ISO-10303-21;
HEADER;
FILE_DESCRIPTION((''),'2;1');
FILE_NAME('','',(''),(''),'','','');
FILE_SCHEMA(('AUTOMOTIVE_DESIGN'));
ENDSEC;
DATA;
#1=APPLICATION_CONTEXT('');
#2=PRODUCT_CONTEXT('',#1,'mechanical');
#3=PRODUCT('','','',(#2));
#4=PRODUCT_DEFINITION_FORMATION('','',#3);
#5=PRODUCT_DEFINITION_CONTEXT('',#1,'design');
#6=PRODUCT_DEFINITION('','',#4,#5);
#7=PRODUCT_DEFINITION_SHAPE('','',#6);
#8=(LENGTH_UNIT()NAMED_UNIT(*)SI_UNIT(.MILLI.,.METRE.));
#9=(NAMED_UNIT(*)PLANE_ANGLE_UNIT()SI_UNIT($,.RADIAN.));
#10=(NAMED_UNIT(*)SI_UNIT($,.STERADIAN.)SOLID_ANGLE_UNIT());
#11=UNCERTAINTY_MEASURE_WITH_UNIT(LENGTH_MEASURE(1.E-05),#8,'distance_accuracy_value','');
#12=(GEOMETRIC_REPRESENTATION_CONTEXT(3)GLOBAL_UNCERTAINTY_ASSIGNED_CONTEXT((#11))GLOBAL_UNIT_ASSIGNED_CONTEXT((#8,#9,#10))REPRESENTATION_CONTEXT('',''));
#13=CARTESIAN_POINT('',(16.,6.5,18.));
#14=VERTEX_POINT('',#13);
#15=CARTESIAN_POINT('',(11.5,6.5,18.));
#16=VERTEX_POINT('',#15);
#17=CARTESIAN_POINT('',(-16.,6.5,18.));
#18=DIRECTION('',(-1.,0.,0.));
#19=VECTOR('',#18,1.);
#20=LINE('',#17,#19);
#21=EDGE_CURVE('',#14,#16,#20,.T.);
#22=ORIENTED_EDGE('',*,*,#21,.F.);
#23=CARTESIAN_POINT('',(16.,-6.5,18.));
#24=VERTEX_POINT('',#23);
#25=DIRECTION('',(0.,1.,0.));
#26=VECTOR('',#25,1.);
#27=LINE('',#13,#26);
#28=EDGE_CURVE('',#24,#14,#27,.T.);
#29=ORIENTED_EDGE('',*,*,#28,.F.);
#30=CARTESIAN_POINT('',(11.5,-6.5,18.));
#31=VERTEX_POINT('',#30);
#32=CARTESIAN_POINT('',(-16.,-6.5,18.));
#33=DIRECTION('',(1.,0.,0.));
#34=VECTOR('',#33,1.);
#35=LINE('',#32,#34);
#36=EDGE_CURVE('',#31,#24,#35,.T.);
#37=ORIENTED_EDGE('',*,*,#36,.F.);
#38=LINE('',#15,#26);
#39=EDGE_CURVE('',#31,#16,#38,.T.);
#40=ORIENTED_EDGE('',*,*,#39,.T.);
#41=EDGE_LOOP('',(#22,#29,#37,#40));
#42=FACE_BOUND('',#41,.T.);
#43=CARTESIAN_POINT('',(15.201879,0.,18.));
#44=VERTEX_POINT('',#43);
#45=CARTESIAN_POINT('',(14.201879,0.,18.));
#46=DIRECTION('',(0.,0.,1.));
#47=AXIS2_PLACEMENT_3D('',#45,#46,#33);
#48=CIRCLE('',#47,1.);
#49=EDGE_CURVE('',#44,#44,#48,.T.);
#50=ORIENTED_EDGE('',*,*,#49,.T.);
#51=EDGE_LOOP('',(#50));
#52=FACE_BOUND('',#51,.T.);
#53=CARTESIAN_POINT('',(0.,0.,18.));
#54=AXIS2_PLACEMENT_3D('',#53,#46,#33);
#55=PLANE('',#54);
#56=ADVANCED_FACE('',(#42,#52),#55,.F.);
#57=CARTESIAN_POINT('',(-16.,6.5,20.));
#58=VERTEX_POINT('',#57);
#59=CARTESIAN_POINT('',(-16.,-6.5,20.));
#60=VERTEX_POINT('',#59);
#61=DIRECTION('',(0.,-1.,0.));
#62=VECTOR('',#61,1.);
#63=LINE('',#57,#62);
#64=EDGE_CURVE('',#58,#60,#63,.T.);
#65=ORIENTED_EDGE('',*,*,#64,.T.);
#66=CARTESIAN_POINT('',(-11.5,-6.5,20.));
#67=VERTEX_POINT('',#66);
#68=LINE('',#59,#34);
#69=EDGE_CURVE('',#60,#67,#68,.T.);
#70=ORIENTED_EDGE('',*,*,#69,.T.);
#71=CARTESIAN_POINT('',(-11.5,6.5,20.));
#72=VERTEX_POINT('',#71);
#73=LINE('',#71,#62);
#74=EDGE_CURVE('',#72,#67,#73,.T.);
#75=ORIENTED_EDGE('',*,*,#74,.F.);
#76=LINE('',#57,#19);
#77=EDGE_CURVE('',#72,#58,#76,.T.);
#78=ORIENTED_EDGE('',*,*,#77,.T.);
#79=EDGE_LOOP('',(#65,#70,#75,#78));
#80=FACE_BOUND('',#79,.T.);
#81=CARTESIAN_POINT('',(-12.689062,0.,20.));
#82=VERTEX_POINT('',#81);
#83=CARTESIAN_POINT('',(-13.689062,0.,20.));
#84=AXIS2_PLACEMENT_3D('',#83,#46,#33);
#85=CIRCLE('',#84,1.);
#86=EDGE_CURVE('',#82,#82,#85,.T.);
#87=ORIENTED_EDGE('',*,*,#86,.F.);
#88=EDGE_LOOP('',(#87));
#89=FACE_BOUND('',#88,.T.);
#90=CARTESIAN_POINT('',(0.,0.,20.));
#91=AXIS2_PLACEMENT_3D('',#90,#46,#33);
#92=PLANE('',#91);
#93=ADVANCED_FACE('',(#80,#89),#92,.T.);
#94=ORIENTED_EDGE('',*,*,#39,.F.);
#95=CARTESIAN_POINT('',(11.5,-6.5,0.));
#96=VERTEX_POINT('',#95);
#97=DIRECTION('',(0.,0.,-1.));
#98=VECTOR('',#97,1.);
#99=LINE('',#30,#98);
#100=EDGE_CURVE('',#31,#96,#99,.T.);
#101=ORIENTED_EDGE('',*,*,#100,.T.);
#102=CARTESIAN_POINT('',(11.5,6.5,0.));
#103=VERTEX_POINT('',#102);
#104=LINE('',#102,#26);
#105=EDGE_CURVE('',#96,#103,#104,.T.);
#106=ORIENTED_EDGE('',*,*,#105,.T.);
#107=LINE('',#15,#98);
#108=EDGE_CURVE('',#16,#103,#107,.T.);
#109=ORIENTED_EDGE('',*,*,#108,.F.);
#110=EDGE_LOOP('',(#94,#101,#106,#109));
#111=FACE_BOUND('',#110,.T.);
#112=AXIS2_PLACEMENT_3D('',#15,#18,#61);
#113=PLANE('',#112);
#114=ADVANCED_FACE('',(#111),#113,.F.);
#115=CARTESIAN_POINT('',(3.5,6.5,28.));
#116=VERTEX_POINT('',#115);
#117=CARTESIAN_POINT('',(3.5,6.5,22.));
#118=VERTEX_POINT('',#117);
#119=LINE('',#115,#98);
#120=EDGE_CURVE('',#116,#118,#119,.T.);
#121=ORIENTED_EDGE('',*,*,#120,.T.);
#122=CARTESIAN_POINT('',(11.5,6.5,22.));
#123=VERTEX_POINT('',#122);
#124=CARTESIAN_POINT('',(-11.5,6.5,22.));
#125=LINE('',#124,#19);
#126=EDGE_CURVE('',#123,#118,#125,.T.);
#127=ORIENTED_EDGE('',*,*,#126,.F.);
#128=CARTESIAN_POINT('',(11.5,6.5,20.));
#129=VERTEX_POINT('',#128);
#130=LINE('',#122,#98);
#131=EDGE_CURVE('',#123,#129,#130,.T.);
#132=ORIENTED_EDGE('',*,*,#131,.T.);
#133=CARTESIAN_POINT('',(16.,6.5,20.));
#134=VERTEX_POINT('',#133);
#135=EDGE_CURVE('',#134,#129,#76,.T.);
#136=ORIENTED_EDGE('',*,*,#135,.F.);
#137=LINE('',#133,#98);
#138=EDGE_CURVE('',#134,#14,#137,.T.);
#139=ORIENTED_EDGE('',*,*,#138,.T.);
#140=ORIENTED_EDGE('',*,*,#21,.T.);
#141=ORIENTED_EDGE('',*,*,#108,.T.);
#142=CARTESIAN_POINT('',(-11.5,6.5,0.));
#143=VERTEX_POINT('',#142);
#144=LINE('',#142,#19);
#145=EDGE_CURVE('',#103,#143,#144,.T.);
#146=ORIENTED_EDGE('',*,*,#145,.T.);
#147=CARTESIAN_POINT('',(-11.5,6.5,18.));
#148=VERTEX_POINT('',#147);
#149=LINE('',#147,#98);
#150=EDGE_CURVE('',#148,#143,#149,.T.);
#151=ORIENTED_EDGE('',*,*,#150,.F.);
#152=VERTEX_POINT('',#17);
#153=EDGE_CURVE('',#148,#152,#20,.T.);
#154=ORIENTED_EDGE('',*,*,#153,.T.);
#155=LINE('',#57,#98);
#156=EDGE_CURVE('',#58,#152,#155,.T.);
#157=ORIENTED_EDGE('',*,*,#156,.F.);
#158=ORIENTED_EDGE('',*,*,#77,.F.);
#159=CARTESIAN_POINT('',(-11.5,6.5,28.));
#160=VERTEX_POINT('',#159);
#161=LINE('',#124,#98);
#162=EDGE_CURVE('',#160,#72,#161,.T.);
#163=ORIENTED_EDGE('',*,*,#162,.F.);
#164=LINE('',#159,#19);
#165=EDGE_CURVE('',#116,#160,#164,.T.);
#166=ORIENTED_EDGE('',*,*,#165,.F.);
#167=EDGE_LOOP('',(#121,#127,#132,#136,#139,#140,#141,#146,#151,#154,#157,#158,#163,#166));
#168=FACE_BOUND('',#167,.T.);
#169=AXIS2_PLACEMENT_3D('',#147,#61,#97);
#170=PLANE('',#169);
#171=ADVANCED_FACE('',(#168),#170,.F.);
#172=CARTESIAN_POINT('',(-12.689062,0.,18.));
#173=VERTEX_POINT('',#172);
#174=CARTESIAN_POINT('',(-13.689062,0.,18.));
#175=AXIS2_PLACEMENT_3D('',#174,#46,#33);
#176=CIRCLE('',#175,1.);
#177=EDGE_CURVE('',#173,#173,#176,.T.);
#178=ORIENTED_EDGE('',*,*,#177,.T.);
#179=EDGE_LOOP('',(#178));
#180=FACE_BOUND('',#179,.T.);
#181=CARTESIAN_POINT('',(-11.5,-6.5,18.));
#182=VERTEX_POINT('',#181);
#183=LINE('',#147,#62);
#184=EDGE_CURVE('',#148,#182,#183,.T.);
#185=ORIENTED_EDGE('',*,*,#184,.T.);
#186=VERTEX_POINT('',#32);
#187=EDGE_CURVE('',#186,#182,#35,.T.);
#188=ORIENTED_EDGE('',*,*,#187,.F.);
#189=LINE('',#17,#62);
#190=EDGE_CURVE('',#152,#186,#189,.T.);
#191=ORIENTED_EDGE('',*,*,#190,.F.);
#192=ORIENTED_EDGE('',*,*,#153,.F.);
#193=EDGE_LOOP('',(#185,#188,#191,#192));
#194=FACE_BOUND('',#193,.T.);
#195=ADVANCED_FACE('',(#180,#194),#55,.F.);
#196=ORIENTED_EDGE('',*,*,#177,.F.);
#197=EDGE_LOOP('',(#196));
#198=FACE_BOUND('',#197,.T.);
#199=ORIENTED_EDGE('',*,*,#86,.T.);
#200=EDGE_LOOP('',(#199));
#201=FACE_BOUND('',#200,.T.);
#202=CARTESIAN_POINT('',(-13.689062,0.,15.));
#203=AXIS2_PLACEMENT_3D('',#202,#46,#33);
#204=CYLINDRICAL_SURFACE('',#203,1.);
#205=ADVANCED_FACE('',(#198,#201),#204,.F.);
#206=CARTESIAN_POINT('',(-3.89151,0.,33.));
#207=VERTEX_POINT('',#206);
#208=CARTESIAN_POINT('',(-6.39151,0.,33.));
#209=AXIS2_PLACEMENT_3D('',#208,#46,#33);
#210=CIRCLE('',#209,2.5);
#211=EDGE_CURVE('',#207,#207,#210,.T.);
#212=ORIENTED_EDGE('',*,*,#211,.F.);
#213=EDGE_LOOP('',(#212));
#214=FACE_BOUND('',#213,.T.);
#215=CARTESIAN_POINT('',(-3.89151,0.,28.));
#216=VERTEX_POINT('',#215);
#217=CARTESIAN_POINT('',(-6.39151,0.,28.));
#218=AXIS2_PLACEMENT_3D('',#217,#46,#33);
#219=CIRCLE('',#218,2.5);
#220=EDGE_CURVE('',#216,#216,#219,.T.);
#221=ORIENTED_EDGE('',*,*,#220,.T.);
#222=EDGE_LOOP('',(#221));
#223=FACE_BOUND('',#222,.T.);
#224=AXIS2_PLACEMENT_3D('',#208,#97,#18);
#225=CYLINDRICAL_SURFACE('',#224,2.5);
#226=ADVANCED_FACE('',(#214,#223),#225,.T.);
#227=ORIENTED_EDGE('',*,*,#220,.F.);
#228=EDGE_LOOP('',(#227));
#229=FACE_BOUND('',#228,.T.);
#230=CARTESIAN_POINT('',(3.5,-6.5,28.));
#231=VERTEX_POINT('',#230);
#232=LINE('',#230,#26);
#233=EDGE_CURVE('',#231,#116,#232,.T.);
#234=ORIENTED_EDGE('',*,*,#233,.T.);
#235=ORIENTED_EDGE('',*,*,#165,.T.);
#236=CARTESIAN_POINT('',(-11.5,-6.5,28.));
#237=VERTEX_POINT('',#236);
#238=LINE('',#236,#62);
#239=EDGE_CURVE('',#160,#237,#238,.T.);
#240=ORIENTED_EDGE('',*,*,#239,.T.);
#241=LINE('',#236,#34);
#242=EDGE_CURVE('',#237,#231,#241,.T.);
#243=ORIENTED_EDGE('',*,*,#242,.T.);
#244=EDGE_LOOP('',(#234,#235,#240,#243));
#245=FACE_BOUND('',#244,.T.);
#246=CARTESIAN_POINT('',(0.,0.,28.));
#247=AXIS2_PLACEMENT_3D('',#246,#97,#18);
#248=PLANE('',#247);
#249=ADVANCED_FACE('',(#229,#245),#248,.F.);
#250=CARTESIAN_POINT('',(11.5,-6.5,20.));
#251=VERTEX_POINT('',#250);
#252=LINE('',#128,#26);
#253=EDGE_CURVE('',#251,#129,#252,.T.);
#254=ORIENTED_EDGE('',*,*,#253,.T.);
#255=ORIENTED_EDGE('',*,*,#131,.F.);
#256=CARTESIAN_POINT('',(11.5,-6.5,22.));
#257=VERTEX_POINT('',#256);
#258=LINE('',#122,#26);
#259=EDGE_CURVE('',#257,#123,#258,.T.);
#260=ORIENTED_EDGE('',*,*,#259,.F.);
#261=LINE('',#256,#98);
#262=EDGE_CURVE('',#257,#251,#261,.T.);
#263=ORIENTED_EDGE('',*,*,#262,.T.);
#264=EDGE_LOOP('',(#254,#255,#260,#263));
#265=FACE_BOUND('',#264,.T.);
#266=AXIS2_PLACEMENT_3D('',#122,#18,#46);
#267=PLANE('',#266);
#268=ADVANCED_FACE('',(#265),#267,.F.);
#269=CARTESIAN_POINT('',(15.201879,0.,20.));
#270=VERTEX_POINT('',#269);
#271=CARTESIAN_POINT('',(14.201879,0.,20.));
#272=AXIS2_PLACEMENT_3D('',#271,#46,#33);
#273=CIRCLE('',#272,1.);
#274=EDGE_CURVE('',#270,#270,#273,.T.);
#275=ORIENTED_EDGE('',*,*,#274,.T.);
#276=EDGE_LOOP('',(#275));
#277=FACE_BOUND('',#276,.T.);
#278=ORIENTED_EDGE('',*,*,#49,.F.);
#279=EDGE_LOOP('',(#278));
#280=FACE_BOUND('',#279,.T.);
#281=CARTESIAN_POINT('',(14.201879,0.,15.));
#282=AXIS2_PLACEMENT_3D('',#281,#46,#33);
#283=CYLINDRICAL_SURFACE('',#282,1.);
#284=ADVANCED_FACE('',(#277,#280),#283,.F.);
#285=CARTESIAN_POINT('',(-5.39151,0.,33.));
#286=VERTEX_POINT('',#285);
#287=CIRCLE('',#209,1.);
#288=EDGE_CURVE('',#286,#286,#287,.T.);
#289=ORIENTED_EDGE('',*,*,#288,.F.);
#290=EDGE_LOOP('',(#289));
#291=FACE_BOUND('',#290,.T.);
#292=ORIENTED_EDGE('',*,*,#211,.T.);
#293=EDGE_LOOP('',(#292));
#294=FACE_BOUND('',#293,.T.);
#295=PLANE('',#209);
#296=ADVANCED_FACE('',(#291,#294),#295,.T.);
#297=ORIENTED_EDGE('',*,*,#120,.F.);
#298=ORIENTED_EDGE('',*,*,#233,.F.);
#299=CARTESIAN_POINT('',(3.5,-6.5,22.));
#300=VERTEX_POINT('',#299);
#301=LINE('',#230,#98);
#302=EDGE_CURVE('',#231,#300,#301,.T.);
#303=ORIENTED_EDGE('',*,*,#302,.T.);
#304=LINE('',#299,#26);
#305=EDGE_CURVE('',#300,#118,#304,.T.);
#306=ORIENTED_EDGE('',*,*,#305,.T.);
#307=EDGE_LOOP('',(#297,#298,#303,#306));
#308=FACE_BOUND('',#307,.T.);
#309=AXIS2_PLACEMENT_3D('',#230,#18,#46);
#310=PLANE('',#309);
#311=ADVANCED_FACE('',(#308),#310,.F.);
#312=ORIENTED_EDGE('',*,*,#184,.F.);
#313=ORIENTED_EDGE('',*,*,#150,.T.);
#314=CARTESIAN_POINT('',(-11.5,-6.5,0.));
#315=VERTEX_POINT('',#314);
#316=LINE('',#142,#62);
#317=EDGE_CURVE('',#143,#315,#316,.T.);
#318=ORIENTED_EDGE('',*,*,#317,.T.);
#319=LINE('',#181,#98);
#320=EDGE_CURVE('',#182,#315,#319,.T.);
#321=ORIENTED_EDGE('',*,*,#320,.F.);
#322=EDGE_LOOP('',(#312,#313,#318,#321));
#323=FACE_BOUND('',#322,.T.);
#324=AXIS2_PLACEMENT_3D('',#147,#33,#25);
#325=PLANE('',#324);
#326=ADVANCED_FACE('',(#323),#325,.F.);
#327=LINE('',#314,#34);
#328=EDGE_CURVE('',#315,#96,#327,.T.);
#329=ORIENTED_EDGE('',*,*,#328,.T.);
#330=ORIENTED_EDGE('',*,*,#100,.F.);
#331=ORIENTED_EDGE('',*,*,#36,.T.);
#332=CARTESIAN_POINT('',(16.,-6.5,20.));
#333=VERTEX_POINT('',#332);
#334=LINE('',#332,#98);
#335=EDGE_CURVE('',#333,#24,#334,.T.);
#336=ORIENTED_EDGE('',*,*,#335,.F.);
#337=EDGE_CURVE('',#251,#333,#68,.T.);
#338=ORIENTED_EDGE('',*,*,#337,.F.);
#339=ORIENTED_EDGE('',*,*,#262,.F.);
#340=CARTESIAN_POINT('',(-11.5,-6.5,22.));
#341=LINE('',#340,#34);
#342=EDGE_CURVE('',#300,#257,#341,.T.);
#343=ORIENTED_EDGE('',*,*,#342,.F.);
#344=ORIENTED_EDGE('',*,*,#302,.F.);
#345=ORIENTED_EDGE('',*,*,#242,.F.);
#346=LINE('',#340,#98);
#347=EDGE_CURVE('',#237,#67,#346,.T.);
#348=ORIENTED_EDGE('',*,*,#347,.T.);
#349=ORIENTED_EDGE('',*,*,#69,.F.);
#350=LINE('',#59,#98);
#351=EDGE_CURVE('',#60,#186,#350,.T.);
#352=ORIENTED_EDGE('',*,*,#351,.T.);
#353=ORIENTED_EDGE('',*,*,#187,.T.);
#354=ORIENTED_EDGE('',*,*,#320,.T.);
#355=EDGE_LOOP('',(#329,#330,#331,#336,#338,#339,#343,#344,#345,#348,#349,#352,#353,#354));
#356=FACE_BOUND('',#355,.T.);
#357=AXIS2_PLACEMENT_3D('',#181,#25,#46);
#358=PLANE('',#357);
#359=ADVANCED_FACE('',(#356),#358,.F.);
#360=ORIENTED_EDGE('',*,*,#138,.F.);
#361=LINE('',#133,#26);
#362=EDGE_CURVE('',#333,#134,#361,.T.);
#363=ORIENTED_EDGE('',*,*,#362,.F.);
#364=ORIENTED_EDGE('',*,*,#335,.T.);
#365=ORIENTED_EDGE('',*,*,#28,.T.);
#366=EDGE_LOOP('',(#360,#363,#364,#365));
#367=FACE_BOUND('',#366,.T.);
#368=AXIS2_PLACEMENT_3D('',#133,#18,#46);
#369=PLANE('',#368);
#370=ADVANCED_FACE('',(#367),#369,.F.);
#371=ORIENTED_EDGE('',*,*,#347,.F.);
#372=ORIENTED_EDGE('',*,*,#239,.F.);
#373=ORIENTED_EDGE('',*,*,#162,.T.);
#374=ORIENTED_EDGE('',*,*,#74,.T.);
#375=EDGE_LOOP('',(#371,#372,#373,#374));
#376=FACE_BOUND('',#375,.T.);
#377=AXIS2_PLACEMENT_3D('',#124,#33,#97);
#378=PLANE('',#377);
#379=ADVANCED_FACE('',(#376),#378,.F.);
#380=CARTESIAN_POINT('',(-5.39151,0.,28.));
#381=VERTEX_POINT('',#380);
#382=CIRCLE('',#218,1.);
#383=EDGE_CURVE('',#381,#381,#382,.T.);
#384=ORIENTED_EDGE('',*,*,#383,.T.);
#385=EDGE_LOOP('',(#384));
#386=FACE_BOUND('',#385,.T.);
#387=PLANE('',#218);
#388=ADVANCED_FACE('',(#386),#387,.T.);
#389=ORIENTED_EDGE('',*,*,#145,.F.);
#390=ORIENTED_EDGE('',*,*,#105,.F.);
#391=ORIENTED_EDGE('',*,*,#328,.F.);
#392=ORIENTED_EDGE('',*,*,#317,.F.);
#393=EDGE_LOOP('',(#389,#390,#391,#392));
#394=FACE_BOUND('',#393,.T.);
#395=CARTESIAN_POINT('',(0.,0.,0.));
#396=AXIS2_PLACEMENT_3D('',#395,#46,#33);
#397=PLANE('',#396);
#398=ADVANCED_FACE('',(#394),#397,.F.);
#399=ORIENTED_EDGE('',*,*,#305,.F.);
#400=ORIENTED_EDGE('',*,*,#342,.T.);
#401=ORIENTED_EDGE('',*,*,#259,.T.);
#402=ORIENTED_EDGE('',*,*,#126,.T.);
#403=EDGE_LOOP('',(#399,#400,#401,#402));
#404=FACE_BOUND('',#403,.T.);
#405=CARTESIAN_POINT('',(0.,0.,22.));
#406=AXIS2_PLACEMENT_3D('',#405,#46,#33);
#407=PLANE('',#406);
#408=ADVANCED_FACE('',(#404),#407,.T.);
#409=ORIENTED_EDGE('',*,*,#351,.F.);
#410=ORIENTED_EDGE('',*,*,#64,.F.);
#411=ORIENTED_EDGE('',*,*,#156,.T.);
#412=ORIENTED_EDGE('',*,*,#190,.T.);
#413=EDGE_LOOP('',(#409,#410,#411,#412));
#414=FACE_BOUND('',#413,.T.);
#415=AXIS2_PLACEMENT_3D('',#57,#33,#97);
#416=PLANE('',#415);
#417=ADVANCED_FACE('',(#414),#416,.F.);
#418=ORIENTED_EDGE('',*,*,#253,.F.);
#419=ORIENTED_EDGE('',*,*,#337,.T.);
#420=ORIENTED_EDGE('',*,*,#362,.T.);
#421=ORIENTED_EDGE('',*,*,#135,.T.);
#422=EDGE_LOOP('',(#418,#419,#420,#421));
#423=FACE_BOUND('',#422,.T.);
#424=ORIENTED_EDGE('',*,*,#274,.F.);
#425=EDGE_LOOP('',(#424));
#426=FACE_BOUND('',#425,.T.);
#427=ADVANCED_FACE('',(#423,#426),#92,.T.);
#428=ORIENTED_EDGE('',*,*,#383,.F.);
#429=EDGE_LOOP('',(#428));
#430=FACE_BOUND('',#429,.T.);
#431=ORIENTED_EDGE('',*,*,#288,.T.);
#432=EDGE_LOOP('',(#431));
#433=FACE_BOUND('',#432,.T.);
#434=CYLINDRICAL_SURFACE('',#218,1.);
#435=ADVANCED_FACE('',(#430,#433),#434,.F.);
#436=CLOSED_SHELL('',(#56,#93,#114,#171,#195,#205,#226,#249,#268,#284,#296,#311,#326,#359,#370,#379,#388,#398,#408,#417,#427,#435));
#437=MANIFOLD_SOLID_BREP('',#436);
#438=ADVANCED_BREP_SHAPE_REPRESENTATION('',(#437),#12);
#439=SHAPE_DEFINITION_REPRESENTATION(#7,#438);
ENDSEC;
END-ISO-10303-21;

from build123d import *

# Parameters (mm, degrees)
SKETCH1_W           = 23
SKETCH1_H           = 13
BOSS_EXTRUDE1_DEPTH = 18
SKETCH2_W           = 32
SKETCH2_H           = 13
BOSS_EXTRUDE2_DEPTH = 2
SKETCH3_W           = 23
SKETCH3_H           = 13
BOSS_EXTRUDE3_DEPTH = 2
SKETCH4_W           = 15
SKETCH4_H           = 13
BOSS_EXTRUDE4_DEPTH = 6
SKETCH5_R           = 2.5
BOSS_EXTRUDE5_DEPTH = 5
SKETCH6_R           = 1
CUT_EXTRUDE1_DEPTH  = 5
SKETCH7_R           = 1
CUT_EXTRUDE2_DEPTH  = 5


with BuildPart() as part:
    # Sketch1 → Boss-Extrude1 (new body)
    with BuildSketch(Plane.XY):
        Rectangle(SKETCH1_W, SKETCH1_H)
    extrude(amount=BOSS_EXTRUDE1_DEPTH)

    # Sketch2 → Boss-Extrude2 (add)
    with BuildSketch(Plane.XY.offset(18)):
        Rectangle(SKETCH2_W, SKETCH2_H)
    extrude(amount=BOSS_EXTRUDE2_DEPTH)

    # Sketch3 → Boss-Extrude3 (add)
    with BuildSketch(Plane.XY.offset(20)):
        Rectangle(SKETCH3_W, SKETCH3_H)
    extrude(amount=BOSS_EXTRUDE3_DEPTH)

    # Sketch4 → Boss-Extrude4 (add)
    with BuildSketch(Plane.XY.offset(22)):
        with Locations((-4, 0)):
            Rectangle(SKETCH4_W, SKETCH4_H)
    extrude(amount=BOSS_EXTRUDE4_DEPTH)

    # Sketch5 → Boss-Extrude5 (add)
    with BuildSketch(Plane.XY.offset(28)):
        with Locations((-6.391509612, 0)):
            Circle(SKETCH5_R)
    extrude(amount=BOSS_EXTRUDE5_DEPTH)

    # Sketch6 → Cut-Extrude1 (cut)
    with BuildSketch(Plane.XY.offset(33)):
        with Locations((-6.391509612, 0)):
            Circle(SKETCH6_R)
    extrude(amount=-CUT_EXTRUDE1_DEPTH, mode=Mode.SUBTRACT)

    # Sketch7 → Cut-Extrude2 (cut)
    with BuildSketch(Plane.XY.offset(20)):
        with Locations((-13.689061623, 0)):
            Circle(SKETCH7_R)
        with Locations((14.201879184, 0)):
            Circle(SKETCH7_R)
    extrude(amount=-CUT_EXTRUDE2_DEPTH, mode=Mode.SUBTRACT)


solid = part.part
